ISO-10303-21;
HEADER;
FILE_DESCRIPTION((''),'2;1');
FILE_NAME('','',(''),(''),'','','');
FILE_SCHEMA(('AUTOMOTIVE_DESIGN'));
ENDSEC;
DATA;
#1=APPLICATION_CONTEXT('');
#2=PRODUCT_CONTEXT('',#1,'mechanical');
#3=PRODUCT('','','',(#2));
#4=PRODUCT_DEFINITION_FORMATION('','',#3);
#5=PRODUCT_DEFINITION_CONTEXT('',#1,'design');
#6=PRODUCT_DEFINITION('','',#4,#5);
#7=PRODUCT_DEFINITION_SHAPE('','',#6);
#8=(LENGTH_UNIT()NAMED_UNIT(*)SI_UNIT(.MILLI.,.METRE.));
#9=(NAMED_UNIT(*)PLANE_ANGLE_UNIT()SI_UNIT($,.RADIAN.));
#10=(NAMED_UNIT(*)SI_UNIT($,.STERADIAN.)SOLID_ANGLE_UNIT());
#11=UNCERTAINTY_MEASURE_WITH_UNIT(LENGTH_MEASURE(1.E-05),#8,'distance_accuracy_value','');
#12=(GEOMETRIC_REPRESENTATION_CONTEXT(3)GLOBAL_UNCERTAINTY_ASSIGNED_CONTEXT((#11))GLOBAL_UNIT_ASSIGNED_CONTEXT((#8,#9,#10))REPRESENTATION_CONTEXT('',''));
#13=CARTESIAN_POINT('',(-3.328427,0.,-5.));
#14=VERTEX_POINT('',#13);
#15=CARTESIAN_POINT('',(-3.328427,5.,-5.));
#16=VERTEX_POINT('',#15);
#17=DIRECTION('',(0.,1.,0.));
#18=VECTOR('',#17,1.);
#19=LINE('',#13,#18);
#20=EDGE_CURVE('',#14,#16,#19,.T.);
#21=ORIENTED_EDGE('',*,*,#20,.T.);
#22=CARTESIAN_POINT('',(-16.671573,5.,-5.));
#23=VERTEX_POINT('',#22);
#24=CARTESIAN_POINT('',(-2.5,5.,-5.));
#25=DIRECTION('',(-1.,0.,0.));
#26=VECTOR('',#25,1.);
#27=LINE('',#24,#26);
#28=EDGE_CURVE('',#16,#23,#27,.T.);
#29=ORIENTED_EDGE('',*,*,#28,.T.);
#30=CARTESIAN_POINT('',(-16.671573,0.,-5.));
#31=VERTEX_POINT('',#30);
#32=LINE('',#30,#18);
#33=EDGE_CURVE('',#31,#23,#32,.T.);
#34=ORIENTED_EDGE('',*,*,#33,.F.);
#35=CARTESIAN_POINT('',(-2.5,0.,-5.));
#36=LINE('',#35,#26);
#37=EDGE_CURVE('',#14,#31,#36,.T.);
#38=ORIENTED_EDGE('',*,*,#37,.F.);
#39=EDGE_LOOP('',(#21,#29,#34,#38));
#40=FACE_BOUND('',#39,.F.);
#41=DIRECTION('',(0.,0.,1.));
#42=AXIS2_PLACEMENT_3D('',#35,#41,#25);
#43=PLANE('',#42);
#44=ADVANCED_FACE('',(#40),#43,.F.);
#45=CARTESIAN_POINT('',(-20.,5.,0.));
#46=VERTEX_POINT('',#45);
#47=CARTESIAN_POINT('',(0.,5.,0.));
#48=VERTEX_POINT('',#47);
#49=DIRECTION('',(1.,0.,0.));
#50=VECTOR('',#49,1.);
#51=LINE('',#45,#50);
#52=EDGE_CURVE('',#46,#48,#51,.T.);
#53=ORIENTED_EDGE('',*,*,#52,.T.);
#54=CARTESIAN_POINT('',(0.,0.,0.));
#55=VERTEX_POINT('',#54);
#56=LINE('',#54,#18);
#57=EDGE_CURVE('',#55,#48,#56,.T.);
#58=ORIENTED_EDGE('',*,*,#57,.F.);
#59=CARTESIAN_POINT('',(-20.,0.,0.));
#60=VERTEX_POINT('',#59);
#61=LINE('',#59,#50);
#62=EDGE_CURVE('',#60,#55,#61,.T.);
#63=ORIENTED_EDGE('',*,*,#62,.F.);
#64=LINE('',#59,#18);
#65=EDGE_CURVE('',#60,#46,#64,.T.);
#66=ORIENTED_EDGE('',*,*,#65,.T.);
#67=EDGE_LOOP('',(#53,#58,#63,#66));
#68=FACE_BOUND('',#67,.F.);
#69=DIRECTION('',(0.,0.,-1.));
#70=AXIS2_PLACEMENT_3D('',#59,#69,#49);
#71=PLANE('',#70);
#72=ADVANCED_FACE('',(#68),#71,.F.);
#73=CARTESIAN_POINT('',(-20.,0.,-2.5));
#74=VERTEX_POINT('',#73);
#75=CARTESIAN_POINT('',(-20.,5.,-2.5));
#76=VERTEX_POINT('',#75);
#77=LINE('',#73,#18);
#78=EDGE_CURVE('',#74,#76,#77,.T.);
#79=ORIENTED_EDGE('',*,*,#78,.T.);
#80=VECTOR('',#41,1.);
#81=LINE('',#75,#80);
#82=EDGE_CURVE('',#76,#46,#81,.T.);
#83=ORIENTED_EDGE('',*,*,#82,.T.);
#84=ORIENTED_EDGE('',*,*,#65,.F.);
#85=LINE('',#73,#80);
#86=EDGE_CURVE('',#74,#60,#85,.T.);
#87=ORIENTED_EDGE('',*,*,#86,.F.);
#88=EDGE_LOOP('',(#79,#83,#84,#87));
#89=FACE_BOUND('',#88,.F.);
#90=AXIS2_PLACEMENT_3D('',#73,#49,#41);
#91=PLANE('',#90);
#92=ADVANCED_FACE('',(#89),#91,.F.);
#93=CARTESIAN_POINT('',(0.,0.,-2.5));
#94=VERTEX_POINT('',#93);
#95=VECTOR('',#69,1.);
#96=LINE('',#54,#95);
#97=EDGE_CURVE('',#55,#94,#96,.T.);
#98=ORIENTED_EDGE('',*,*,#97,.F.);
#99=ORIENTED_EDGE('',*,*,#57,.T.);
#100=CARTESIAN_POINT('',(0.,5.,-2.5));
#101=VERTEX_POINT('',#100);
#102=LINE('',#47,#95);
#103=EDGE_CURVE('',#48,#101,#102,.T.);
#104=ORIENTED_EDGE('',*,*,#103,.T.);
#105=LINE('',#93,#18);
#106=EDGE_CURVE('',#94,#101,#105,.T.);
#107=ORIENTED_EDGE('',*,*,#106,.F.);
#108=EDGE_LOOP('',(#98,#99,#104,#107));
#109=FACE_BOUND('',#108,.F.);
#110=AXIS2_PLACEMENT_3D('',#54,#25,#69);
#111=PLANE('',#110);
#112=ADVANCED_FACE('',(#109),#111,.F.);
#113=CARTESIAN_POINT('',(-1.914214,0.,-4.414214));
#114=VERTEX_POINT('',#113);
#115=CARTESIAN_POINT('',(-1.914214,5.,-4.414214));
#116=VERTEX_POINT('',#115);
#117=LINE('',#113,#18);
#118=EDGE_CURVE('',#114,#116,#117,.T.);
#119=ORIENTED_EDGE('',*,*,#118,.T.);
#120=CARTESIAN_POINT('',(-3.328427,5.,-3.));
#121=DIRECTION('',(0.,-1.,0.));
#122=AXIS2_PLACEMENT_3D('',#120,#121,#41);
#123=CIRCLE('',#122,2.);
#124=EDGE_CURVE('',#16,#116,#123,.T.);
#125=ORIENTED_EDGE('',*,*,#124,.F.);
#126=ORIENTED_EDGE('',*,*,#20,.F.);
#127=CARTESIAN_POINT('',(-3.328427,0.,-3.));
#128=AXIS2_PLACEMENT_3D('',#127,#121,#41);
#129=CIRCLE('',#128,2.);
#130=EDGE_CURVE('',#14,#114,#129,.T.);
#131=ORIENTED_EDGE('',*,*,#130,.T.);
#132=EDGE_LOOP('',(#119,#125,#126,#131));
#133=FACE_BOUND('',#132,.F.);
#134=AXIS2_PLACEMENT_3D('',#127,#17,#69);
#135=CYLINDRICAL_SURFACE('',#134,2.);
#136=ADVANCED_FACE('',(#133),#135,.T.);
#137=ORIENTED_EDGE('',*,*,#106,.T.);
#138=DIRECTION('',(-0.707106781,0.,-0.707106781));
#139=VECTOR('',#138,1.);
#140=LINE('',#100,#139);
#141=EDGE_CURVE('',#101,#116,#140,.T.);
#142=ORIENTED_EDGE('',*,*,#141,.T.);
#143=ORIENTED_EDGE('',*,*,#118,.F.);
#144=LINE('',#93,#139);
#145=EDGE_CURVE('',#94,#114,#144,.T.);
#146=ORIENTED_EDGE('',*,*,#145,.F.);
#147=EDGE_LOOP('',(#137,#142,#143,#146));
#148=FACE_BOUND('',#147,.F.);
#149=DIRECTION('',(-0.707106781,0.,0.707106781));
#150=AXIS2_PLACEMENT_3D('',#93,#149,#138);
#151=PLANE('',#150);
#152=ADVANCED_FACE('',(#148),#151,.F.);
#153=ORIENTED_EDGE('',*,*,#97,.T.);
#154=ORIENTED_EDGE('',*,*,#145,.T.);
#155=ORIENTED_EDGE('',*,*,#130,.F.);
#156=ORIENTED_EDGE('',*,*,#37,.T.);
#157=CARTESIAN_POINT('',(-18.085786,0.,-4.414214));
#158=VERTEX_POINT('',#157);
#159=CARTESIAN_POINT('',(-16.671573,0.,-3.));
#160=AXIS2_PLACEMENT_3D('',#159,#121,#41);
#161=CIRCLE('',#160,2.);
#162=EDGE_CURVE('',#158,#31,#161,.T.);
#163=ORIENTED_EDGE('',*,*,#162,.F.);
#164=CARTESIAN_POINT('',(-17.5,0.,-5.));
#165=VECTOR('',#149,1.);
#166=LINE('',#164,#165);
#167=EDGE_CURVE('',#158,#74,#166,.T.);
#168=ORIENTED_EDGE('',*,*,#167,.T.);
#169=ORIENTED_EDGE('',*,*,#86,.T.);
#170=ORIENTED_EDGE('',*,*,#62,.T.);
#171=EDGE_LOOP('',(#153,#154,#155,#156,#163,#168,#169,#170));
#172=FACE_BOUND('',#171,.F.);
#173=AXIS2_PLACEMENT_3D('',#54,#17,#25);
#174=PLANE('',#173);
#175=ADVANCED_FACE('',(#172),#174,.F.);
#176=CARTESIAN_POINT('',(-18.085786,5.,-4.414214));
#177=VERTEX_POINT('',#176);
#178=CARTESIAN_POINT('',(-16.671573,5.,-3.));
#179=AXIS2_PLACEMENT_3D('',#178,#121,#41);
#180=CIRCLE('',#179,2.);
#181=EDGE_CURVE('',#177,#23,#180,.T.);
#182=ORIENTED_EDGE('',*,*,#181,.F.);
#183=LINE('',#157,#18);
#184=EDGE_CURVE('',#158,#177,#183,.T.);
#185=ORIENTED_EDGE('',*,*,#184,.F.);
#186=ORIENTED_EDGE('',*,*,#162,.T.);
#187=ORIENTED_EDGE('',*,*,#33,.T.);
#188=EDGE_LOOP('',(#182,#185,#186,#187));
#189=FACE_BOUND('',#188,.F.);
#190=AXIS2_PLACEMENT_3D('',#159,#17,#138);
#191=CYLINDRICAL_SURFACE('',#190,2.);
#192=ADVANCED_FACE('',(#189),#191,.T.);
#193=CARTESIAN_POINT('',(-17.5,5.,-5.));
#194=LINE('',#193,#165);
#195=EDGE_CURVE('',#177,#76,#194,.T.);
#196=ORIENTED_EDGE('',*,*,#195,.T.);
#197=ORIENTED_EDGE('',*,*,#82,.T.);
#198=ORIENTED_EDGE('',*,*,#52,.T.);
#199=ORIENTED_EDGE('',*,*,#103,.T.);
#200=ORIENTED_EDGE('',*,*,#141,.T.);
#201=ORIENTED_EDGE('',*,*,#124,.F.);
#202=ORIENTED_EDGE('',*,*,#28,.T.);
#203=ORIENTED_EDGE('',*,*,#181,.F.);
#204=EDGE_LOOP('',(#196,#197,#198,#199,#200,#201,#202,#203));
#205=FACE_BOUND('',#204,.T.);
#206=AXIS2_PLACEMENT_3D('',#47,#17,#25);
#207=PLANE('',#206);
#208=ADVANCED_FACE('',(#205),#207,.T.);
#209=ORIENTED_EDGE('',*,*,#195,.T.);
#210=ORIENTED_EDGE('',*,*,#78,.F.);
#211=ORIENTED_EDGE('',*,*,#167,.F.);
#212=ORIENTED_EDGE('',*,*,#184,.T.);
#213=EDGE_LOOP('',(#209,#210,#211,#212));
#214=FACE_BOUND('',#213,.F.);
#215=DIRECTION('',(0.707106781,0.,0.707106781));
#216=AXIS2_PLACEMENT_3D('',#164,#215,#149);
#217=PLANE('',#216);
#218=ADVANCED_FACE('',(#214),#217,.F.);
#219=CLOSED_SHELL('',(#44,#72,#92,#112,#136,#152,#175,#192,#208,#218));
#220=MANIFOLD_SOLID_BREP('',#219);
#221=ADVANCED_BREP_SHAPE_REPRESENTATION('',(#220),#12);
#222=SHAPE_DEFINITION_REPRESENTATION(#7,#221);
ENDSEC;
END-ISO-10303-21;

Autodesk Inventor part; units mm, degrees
ref_plane "YZ Plane" through (0, 0, 0) normal (1, 0, 0) x (0, 1, 0)
ref_plane "XZ Plane" through (0, 0, 0) normal (0, 1, 0) x (-1, 0, 0)
ref_plane "XY Plane" through (0, 0, 0) normal (0, 0, 1) x (1, 0, 0)
sketch "Sketch1" plane through (0, 0, 0) normal (0, 1, 0) x (-1, 0, 0)
  line L0 (0, 0) -> (0, -2.5)
  line L1 (0, -2.5) -> (2.5, -5)
  line L2 (2.5, -5) -> (17.5, -5)
  line L3 (17.5, -5) -> (20, -2.5)
  line L4 (20, -2.5) -> (20, 0)
  line L5 (20, 0) -> (0, 0)
  point P0 (20, -1.25)
  dimension "d0" = 45
  dimension "d1" = 45
  dimension "d2" = 5
  dimension "d3" = 20
  dimension "d4" = 2.5
extrude "Extrusion1" add sketch "Sketch1" along normal blind 5
fillet "Fillet1" radius 2 2 edges at (-2.5, 2.5, -5) (-17.5, 2.5, -5)
equation "\"d2\" = glide_plate_height"
equation "\"d3\" = glide_plate_length"
equation "\"d4\" = 0.5 * d2"
equation "\"d5\" = glide_plate_width"
equation "\"glide_plate_height\" = 5"
equation "\"glide_plate_length\" = 20"
equation "\"glide_plate_width\" = 5"
properties part number "steal_glide_plate"
